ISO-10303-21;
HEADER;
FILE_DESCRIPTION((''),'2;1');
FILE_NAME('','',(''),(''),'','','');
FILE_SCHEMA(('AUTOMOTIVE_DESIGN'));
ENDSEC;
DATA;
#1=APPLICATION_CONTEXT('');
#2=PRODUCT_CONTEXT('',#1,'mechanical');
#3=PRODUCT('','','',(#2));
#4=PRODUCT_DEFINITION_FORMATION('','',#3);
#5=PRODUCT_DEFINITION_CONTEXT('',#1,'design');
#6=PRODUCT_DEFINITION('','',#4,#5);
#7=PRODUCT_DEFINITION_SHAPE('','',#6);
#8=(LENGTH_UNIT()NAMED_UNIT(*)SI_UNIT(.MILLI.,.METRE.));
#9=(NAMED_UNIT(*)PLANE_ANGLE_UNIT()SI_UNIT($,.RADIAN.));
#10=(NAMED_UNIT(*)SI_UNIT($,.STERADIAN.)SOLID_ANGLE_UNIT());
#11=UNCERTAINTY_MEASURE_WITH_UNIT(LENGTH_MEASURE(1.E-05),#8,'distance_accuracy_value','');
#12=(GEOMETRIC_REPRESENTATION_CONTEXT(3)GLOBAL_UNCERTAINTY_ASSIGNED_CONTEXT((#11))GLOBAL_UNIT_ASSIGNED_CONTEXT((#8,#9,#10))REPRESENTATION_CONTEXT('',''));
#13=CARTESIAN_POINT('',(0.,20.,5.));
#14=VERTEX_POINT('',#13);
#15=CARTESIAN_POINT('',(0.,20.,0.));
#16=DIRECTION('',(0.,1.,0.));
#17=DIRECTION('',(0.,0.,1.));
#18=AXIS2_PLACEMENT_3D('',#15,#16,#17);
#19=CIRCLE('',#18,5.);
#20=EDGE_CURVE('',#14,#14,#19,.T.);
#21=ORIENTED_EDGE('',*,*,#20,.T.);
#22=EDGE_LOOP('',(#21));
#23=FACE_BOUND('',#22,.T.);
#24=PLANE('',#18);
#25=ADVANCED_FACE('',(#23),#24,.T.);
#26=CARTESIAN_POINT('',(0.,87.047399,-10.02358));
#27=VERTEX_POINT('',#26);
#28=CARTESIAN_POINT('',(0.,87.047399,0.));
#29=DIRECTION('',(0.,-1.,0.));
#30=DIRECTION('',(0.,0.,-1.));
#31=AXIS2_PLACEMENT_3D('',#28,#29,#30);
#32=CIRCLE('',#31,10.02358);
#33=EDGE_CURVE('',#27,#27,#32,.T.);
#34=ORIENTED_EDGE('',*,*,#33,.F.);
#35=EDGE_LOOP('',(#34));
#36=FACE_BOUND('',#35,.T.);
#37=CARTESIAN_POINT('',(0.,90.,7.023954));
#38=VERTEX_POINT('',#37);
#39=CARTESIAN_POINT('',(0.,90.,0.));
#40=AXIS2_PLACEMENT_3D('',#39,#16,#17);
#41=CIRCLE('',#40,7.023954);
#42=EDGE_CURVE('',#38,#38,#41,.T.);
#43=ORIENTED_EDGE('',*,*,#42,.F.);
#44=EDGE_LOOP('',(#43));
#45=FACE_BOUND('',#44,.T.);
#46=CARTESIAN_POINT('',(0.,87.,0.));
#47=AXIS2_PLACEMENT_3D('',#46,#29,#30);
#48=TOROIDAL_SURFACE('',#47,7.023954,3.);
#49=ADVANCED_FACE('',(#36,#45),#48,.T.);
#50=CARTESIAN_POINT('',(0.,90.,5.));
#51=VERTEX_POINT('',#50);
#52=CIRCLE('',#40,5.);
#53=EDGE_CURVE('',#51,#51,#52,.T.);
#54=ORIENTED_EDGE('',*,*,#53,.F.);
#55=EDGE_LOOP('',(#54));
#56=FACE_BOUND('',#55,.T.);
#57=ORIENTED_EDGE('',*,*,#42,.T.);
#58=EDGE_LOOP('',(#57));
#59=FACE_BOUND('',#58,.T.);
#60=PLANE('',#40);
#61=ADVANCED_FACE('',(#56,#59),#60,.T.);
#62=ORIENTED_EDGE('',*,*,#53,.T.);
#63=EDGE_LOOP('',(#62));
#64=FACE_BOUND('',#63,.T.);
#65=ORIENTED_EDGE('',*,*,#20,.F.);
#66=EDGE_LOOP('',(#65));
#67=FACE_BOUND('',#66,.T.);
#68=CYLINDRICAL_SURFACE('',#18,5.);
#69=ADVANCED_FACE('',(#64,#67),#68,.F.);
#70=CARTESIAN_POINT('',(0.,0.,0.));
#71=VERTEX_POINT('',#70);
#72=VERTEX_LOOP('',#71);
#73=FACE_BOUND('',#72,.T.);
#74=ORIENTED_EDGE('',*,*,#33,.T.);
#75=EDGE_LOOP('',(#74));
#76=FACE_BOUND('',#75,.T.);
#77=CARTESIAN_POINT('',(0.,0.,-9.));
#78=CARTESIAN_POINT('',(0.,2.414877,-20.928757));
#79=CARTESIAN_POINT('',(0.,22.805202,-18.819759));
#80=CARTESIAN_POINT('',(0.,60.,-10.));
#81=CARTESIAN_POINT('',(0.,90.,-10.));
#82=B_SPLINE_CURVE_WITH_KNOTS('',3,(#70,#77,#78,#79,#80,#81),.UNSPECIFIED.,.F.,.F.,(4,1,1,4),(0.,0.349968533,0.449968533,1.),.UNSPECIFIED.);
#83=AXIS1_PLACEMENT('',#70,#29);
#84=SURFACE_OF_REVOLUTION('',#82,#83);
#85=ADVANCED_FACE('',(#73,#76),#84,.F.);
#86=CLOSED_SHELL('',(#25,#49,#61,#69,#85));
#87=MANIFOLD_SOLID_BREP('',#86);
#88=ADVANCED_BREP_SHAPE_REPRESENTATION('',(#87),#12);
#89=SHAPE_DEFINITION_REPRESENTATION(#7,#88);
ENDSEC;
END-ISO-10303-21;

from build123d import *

# Parameters (mm, degrees)
SKETCH2_R          = 5
CUT_EXTRUDE2_DEPTH = 70
FILLET1_R          = 3


with BuildPart() as part:
    # Sketch1 → Revolve1 (revolve)
    with BuildSketch(Plane(origin=(0, 0, 0), x_dir=(0, 0, -1), z_dir=(1, 0, 0))):
        with BuildLine():
            Line((0, 0), (0, 90))
            Line((0, 90), (10, 90))
            add(Edge.make_bspline(
                [(10, 90), (10, 60), (18.819759302, 22.8052024), (20.928757216, 2.414876553), (9, 0), (0, 0)],
                knots=[0, 0, 0, 0, 0.550031467, 0.650031467, 1, 1, 1, 1], degree=3))
        make_face()
    revolve(axis=Axis((0, 0, 0), (0, 1, 0)))

    # Sketch2 → Cut-Extrude2 (cut)
    with BuildSketch(Plane(origin=(0, 90, 0), x_dir=(1, 0, 0), z_dir=(0, 1, 0))):
        with Locations(Location((0, 0, 0), (0, 0, 270))):
            Circle(SKETCH2_R)
    extrude(amount=-CUT_EXTRUDE2_DEPTH, mode=Mode.SUBTRACT)

    # Fillet1
    fillet1_edges = [part.edges().sort_by_distance(p)[0] for p in [
        (0, 90, 10),
    ]]
    fillet(fillet1_edges, radius=FILLET1_R)


solid = part.part
